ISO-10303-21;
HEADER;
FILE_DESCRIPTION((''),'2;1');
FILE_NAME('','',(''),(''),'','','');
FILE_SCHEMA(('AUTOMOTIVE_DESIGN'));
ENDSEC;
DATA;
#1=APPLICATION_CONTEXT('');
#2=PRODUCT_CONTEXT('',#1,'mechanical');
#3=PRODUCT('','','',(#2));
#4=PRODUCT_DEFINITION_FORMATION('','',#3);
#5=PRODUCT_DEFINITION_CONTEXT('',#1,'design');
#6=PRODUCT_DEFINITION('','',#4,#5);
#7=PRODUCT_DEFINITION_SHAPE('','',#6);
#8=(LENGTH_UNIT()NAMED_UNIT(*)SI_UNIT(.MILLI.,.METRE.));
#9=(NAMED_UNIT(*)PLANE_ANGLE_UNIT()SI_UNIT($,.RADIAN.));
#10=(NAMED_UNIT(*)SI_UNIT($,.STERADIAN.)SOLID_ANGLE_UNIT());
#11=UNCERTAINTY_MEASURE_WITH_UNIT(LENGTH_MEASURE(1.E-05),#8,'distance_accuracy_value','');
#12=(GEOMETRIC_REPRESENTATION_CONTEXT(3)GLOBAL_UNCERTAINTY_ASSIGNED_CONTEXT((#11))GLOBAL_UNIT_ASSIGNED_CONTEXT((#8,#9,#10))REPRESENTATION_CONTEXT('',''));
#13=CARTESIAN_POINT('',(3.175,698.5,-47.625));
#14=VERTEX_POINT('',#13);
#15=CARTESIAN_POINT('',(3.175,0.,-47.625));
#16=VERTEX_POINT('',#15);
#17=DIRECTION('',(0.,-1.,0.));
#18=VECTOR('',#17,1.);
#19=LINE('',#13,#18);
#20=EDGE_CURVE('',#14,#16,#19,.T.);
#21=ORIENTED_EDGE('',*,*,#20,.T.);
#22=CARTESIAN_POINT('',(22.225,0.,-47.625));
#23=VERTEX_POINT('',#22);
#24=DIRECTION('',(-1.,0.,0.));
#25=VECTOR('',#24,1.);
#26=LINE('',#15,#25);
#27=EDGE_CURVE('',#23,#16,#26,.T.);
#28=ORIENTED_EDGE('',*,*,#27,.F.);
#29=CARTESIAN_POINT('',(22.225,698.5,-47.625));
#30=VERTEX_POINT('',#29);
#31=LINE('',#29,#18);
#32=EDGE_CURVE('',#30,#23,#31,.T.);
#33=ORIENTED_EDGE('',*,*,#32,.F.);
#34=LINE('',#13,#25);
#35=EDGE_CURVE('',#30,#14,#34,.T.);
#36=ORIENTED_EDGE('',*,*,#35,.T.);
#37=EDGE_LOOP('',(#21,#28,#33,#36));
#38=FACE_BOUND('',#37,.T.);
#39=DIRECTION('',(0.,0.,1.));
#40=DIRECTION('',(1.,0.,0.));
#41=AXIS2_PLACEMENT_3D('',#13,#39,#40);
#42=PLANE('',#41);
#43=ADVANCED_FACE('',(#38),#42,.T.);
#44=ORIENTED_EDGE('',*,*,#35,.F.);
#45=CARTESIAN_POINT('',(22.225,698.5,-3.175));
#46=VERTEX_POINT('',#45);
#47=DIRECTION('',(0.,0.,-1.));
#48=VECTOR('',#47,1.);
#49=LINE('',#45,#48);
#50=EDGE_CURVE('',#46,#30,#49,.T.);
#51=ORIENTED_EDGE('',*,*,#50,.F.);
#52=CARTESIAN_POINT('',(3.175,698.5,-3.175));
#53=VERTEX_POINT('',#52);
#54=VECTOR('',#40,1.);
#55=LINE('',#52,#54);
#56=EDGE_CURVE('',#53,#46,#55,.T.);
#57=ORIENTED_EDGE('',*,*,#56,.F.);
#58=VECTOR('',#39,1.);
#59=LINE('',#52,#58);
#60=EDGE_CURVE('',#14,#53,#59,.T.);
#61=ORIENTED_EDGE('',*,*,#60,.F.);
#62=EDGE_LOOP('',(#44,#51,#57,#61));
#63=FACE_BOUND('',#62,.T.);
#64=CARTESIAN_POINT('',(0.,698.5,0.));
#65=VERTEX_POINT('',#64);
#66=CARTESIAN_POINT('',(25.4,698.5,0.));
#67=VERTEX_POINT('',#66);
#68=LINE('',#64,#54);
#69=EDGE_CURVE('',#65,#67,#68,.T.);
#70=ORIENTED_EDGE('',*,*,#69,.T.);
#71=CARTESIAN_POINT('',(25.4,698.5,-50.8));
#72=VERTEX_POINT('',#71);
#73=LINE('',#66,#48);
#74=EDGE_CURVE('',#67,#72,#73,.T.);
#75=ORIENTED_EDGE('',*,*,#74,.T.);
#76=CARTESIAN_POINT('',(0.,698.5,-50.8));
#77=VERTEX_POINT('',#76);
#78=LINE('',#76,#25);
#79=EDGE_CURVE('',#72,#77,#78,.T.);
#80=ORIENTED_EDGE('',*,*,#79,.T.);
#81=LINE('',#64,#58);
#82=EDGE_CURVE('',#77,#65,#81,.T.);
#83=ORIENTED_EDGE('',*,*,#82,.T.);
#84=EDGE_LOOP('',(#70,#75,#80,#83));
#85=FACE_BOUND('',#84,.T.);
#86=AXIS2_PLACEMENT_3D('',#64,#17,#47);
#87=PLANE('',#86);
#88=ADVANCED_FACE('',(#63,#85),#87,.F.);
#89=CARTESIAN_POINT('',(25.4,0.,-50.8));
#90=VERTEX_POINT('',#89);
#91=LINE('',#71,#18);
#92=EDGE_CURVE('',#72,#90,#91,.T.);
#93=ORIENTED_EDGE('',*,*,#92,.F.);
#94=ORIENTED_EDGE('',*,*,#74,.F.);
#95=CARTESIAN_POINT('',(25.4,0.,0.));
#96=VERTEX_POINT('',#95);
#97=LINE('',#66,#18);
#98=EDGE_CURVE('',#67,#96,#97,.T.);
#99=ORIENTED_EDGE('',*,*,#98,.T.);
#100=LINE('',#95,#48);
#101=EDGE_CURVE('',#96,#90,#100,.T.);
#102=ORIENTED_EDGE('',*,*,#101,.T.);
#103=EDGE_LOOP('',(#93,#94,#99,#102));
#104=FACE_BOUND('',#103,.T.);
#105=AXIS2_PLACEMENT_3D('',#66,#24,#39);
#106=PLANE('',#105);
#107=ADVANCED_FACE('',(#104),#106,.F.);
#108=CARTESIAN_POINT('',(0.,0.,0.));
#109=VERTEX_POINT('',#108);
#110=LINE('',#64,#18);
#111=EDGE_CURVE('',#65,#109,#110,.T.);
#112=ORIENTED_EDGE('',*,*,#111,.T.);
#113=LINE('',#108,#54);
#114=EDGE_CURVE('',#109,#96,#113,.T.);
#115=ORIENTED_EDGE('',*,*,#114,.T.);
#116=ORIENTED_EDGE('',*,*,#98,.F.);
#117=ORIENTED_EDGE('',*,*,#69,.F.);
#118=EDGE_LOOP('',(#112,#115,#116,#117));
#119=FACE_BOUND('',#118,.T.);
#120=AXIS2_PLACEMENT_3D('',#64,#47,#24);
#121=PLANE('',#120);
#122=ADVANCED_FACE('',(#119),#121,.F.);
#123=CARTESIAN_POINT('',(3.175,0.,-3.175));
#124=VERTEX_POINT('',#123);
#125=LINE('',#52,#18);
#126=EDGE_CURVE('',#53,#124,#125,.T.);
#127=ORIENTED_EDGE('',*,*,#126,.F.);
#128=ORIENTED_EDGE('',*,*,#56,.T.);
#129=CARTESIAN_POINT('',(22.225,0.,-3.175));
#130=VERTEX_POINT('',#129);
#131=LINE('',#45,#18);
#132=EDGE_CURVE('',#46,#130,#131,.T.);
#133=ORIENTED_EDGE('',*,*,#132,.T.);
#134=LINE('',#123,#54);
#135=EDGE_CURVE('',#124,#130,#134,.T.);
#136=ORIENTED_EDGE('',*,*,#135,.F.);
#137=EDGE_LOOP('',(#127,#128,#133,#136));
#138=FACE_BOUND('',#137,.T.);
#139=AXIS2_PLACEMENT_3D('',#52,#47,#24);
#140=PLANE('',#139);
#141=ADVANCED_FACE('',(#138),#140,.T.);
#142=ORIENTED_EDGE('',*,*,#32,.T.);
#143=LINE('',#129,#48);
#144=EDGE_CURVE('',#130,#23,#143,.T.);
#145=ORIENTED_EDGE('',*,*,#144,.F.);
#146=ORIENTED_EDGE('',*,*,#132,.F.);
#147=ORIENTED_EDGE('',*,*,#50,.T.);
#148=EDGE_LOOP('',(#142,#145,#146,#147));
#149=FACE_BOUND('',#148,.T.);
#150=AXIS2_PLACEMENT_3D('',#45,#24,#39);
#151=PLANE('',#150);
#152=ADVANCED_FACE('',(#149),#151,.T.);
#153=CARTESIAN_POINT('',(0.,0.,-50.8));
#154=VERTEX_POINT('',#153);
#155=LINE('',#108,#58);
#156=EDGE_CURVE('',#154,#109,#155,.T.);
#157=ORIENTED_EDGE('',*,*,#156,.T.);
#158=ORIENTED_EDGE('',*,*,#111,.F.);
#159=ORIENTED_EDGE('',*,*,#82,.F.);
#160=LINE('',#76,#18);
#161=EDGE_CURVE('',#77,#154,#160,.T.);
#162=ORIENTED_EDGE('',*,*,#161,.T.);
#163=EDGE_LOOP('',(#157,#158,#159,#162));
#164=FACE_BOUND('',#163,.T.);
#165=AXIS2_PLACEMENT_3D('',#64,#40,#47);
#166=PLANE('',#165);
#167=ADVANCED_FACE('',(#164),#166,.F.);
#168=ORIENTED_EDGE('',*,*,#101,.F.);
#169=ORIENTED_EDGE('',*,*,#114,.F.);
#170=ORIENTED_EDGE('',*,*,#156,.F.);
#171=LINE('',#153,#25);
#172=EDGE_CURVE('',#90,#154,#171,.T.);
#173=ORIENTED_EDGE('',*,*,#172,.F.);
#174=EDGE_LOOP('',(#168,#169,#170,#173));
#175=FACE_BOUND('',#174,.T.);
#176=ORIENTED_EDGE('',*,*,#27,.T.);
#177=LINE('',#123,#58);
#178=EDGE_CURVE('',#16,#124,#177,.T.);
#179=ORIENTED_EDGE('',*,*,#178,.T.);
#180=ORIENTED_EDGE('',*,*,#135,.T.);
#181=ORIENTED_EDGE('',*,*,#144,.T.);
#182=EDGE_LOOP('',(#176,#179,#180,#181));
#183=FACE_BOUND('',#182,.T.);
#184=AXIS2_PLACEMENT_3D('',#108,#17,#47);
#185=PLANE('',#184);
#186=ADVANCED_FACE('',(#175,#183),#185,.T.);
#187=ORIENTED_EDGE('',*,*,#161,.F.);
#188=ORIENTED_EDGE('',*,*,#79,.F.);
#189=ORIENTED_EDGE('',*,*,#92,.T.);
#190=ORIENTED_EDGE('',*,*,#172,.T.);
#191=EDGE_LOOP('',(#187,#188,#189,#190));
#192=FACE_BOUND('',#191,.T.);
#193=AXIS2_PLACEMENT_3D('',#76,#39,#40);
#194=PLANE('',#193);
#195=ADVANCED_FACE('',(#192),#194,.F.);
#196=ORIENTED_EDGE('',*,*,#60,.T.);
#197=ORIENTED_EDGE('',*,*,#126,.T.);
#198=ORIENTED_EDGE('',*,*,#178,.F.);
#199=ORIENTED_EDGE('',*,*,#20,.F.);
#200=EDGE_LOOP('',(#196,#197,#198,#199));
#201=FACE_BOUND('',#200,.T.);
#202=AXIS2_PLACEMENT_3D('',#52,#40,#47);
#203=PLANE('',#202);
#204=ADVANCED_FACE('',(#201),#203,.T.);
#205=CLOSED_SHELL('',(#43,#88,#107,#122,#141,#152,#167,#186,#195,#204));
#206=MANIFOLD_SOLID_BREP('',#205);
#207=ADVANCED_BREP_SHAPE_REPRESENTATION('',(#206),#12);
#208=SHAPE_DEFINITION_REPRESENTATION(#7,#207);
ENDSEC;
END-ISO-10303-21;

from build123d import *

# Parameters (mm, degrees)
SKETCH1_W           = 25.4
SKETCH1_H           = 50.8
SKETCH1_W_2         = 19.05
SKETCH1_H_2         = 44.45
BOSS_EXTRUDE1_DEPTH = 698.5


with BuildPart() as part:
    # Sketch1 → Boss-Extrude1 (new body)
    with BuildSketch(Plane(origin=(0, 0, 0), x_dir=(1, 0, 0), z_dir=(0, 1, 0))):
        with Locations((12.7, 25.4)):
            Rectangle(SKETCH1_W, SKETCH1_H)
        with Locations((12.7, 25.4)):
            Rectangle(SKETCH1_W_2, SKETCH1_H_2, mode=Mode.SUBTRACT)
    extrude(amount=BOSS_EXTRUDE1_DEPTH)


solid = part.part
